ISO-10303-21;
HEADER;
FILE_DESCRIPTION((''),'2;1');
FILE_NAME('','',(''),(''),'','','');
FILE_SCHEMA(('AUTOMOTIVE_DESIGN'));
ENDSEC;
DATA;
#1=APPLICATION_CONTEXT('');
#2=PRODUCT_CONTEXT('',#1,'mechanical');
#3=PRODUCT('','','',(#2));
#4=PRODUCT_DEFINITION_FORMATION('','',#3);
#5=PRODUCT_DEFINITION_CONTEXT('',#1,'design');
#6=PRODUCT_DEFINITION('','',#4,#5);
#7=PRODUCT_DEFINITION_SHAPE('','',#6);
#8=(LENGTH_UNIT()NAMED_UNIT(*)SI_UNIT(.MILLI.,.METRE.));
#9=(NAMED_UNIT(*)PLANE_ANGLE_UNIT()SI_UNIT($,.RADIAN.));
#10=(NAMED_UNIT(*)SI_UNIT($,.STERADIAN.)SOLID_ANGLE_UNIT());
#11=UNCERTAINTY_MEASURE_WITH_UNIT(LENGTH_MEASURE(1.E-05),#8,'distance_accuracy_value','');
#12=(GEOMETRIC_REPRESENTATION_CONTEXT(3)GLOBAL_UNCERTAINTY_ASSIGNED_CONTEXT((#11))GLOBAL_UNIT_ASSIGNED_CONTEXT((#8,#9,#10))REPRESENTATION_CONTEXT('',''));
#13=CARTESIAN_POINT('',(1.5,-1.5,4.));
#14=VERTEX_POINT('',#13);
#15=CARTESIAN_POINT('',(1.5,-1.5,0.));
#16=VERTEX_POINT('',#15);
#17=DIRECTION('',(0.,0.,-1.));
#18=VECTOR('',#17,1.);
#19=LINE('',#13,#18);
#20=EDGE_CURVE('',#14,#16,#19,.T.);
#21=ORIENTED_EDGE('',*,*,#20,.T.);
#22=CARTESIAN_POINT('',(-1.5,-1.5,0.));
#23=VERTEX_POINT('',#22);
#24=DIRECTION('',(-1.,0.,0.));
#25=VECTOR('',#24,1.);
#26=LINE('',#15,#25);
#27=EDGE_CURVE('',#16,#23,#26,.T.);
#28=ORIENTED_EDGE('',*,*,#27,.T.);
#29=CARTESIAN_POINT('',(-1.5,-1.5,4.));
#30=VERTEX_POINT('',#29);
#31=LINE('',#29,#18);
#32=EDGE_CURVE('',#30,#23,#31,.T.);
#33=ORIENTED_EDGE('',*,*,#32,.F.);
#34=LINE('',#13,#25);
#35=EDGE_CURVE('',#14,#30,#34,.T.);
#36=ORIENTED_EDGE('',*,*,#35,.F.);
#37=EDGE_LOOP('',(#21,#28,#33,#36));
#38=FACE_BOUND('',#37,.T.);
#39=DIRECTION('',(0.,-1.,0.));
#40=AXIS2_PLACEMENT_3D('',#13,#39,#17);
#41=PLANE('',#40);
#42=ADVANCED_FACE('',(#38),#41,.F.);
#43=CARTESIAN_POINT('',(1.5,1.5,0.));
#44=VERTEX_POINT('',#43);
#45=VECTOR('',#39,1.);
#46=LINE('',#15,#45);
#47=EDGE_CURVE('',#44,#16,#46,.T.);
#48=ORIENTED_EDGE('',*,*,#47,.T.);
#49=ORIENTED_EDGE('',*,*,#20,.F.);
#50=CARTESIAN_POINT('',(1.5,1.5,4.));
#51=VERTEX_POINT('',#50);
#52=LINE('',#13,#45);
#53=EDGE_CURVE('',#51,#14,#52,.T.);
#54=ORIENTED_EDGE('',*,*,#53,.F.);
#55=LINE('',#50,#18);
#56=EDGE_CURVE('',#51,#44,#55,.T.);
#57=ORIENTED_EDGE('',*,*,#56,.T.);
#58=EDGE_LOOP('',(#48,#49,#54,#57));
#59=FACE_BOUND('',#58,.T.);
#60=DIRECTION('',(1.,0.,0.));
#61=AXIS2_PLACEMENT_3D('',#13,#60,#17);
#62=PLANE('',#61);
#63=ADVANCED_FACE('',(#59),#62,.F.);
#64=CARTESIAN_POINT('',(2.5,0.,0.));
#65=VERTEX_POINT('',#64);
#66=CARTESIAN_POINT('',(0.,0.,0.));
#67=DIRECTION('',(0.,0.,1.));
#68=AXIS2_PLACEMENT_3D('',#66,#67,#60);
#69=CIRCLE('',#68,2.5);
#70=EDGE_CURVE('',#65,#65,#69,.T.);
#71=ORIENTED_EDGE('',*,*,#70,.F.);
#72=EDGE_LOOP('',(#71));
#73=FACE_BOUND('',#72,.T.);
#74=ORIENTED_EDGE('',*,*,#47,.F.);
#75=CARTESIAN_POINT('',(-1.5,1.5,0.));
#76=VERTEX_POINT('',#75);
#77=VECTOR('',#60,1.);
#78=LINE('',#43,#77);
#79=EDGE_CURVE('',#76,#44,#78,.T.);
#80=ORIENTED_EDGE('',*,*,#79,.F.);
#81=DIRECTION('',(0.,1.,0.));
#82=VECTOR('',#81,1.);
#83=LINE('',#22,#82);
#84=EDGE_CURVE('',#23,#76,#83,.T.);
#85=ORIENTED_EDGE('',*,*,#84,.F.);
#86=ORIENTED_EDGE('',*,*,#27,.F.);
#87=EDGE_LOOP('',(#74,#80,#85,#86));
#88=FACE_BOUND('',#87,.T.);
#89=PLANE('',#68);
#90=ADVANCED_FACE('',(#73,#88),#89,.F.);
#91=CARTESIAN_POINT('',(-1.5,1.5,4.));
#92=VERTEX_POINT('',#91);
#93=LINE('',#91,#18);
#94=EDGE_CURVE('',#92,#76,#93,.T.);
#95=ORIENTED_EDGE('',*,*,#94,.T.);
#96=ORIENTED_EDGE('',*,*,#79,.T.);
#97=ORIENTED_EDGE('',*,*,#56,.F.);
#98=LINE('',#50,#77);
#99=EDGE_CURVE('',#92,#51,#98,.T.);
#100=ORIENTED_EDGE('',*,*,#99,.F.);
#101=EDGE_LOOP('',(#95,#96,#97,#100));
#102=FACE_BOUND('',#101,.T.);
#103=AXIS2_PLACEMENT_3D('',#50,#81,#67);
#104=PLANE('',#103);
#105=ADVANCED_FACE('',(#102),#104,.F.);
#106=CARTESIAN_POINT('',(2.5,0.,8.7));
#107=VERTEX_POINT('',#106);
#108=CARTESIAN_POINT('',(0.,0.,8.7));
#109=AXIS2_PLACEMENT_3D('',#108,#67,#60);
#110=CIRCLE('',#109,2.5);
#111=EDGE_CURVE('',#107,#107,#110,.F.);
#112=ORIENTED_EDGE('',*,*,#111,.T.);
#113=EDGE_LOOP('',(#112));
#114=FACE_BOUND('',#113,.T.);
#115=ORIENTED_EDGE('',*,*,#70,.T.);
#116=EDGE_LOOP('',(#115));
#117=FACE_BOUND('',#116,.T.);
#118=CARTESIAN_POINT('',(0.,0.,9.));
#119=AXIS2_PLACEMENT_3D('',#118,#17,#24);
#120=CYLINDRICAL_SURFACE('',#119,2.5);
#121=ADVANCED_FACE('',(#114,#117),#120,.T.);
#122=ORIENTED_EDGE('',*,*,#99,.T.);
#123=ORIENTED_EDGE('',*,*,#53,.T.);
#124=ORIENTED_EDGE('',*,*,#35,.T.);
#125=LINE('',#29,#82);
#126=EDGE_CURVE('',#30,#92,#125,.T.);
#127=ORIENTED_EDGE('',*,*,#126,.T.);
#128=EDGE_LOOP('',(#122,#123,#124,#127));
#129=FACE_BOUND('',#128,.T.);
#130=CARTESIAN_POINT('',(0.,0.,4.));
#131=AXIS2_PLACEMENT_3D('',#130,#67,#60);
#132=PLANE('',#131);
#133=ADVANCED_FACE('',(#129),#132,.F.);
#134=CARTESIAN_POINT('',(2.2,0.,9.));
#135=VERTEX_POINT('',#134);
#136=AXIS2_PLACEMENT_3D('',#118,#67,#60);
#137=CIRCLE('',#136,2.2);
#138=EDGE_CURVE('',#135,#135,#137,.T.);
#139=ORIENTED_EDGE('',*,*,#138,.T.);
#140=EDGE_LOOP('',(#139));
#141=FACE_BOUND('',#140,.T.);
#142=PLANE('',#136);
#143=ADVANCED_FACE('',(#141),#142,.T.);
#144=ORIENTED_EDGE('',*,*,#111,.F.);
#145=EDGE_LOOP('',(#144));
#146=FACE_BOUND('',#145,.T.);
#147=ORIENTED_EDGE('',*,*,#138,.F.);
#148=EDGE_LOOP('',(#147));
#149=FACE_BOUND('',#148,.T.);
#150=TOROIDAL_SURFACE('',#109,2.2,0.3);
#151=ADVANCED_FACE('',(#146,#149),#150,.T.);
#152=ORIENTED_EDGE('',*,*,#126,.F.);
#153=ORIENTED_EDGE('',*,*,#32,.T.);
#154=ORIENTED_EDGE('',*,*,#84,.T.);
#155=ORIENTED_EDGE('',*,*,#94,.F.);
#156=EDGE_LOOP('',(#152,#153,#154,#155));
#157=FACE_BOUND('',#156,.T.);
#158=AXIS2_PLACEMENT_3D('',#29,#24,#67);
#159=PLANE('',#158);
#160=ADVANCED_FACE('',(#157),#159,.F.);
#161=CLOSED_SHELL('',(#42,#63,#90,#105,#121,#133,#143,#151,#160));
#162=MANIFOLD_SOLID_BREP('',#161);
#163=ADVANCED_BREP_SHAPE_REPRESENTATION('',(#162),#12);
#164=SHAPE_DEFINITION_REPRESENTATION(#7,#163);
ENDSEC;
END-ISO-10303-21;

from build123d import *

# Parameters (mm, degrees)
SKETCH1_R           = 2.5
BOSS_EXTRUDE1_DEPTH = 9
FILLET1_R           = 0.3
SKETCH2_W           = 3
SKETCH2_H           = 3
CUT_EXTRUDE1_DEPTH  = 4


with BuildPart() as part:
    # Sketch1 → Boss-Extrude1 (new body)
    with BuildSketch(Plane.XY):
        Circle(SKETCH1_R)
    extrude(amount=BOSS_EXTRUDE1_DEPTH)

    # Fillet1
    fillet1_edges = [part.edges().sort_by_distance(p)[0] for p in [
        (-2.5, 0, 9),
    ]]
    fillet(fillet1_edges, radius=FILLET1_R)

    # Sketch2 → Cut-Extrude1 (cut)
    with BuildSketch(Plane(origin=(0, 0, 0), x_dir=(-1, 0, 0), z_dir=(0, 0, -1))):
        Rectangle(SKETCH2_W, SKETCH2_H)
    extrude(amount=-CUT_EXTRUDE1_DEPTH, mode=Mode.SUBTRACT)


solid = part.part
